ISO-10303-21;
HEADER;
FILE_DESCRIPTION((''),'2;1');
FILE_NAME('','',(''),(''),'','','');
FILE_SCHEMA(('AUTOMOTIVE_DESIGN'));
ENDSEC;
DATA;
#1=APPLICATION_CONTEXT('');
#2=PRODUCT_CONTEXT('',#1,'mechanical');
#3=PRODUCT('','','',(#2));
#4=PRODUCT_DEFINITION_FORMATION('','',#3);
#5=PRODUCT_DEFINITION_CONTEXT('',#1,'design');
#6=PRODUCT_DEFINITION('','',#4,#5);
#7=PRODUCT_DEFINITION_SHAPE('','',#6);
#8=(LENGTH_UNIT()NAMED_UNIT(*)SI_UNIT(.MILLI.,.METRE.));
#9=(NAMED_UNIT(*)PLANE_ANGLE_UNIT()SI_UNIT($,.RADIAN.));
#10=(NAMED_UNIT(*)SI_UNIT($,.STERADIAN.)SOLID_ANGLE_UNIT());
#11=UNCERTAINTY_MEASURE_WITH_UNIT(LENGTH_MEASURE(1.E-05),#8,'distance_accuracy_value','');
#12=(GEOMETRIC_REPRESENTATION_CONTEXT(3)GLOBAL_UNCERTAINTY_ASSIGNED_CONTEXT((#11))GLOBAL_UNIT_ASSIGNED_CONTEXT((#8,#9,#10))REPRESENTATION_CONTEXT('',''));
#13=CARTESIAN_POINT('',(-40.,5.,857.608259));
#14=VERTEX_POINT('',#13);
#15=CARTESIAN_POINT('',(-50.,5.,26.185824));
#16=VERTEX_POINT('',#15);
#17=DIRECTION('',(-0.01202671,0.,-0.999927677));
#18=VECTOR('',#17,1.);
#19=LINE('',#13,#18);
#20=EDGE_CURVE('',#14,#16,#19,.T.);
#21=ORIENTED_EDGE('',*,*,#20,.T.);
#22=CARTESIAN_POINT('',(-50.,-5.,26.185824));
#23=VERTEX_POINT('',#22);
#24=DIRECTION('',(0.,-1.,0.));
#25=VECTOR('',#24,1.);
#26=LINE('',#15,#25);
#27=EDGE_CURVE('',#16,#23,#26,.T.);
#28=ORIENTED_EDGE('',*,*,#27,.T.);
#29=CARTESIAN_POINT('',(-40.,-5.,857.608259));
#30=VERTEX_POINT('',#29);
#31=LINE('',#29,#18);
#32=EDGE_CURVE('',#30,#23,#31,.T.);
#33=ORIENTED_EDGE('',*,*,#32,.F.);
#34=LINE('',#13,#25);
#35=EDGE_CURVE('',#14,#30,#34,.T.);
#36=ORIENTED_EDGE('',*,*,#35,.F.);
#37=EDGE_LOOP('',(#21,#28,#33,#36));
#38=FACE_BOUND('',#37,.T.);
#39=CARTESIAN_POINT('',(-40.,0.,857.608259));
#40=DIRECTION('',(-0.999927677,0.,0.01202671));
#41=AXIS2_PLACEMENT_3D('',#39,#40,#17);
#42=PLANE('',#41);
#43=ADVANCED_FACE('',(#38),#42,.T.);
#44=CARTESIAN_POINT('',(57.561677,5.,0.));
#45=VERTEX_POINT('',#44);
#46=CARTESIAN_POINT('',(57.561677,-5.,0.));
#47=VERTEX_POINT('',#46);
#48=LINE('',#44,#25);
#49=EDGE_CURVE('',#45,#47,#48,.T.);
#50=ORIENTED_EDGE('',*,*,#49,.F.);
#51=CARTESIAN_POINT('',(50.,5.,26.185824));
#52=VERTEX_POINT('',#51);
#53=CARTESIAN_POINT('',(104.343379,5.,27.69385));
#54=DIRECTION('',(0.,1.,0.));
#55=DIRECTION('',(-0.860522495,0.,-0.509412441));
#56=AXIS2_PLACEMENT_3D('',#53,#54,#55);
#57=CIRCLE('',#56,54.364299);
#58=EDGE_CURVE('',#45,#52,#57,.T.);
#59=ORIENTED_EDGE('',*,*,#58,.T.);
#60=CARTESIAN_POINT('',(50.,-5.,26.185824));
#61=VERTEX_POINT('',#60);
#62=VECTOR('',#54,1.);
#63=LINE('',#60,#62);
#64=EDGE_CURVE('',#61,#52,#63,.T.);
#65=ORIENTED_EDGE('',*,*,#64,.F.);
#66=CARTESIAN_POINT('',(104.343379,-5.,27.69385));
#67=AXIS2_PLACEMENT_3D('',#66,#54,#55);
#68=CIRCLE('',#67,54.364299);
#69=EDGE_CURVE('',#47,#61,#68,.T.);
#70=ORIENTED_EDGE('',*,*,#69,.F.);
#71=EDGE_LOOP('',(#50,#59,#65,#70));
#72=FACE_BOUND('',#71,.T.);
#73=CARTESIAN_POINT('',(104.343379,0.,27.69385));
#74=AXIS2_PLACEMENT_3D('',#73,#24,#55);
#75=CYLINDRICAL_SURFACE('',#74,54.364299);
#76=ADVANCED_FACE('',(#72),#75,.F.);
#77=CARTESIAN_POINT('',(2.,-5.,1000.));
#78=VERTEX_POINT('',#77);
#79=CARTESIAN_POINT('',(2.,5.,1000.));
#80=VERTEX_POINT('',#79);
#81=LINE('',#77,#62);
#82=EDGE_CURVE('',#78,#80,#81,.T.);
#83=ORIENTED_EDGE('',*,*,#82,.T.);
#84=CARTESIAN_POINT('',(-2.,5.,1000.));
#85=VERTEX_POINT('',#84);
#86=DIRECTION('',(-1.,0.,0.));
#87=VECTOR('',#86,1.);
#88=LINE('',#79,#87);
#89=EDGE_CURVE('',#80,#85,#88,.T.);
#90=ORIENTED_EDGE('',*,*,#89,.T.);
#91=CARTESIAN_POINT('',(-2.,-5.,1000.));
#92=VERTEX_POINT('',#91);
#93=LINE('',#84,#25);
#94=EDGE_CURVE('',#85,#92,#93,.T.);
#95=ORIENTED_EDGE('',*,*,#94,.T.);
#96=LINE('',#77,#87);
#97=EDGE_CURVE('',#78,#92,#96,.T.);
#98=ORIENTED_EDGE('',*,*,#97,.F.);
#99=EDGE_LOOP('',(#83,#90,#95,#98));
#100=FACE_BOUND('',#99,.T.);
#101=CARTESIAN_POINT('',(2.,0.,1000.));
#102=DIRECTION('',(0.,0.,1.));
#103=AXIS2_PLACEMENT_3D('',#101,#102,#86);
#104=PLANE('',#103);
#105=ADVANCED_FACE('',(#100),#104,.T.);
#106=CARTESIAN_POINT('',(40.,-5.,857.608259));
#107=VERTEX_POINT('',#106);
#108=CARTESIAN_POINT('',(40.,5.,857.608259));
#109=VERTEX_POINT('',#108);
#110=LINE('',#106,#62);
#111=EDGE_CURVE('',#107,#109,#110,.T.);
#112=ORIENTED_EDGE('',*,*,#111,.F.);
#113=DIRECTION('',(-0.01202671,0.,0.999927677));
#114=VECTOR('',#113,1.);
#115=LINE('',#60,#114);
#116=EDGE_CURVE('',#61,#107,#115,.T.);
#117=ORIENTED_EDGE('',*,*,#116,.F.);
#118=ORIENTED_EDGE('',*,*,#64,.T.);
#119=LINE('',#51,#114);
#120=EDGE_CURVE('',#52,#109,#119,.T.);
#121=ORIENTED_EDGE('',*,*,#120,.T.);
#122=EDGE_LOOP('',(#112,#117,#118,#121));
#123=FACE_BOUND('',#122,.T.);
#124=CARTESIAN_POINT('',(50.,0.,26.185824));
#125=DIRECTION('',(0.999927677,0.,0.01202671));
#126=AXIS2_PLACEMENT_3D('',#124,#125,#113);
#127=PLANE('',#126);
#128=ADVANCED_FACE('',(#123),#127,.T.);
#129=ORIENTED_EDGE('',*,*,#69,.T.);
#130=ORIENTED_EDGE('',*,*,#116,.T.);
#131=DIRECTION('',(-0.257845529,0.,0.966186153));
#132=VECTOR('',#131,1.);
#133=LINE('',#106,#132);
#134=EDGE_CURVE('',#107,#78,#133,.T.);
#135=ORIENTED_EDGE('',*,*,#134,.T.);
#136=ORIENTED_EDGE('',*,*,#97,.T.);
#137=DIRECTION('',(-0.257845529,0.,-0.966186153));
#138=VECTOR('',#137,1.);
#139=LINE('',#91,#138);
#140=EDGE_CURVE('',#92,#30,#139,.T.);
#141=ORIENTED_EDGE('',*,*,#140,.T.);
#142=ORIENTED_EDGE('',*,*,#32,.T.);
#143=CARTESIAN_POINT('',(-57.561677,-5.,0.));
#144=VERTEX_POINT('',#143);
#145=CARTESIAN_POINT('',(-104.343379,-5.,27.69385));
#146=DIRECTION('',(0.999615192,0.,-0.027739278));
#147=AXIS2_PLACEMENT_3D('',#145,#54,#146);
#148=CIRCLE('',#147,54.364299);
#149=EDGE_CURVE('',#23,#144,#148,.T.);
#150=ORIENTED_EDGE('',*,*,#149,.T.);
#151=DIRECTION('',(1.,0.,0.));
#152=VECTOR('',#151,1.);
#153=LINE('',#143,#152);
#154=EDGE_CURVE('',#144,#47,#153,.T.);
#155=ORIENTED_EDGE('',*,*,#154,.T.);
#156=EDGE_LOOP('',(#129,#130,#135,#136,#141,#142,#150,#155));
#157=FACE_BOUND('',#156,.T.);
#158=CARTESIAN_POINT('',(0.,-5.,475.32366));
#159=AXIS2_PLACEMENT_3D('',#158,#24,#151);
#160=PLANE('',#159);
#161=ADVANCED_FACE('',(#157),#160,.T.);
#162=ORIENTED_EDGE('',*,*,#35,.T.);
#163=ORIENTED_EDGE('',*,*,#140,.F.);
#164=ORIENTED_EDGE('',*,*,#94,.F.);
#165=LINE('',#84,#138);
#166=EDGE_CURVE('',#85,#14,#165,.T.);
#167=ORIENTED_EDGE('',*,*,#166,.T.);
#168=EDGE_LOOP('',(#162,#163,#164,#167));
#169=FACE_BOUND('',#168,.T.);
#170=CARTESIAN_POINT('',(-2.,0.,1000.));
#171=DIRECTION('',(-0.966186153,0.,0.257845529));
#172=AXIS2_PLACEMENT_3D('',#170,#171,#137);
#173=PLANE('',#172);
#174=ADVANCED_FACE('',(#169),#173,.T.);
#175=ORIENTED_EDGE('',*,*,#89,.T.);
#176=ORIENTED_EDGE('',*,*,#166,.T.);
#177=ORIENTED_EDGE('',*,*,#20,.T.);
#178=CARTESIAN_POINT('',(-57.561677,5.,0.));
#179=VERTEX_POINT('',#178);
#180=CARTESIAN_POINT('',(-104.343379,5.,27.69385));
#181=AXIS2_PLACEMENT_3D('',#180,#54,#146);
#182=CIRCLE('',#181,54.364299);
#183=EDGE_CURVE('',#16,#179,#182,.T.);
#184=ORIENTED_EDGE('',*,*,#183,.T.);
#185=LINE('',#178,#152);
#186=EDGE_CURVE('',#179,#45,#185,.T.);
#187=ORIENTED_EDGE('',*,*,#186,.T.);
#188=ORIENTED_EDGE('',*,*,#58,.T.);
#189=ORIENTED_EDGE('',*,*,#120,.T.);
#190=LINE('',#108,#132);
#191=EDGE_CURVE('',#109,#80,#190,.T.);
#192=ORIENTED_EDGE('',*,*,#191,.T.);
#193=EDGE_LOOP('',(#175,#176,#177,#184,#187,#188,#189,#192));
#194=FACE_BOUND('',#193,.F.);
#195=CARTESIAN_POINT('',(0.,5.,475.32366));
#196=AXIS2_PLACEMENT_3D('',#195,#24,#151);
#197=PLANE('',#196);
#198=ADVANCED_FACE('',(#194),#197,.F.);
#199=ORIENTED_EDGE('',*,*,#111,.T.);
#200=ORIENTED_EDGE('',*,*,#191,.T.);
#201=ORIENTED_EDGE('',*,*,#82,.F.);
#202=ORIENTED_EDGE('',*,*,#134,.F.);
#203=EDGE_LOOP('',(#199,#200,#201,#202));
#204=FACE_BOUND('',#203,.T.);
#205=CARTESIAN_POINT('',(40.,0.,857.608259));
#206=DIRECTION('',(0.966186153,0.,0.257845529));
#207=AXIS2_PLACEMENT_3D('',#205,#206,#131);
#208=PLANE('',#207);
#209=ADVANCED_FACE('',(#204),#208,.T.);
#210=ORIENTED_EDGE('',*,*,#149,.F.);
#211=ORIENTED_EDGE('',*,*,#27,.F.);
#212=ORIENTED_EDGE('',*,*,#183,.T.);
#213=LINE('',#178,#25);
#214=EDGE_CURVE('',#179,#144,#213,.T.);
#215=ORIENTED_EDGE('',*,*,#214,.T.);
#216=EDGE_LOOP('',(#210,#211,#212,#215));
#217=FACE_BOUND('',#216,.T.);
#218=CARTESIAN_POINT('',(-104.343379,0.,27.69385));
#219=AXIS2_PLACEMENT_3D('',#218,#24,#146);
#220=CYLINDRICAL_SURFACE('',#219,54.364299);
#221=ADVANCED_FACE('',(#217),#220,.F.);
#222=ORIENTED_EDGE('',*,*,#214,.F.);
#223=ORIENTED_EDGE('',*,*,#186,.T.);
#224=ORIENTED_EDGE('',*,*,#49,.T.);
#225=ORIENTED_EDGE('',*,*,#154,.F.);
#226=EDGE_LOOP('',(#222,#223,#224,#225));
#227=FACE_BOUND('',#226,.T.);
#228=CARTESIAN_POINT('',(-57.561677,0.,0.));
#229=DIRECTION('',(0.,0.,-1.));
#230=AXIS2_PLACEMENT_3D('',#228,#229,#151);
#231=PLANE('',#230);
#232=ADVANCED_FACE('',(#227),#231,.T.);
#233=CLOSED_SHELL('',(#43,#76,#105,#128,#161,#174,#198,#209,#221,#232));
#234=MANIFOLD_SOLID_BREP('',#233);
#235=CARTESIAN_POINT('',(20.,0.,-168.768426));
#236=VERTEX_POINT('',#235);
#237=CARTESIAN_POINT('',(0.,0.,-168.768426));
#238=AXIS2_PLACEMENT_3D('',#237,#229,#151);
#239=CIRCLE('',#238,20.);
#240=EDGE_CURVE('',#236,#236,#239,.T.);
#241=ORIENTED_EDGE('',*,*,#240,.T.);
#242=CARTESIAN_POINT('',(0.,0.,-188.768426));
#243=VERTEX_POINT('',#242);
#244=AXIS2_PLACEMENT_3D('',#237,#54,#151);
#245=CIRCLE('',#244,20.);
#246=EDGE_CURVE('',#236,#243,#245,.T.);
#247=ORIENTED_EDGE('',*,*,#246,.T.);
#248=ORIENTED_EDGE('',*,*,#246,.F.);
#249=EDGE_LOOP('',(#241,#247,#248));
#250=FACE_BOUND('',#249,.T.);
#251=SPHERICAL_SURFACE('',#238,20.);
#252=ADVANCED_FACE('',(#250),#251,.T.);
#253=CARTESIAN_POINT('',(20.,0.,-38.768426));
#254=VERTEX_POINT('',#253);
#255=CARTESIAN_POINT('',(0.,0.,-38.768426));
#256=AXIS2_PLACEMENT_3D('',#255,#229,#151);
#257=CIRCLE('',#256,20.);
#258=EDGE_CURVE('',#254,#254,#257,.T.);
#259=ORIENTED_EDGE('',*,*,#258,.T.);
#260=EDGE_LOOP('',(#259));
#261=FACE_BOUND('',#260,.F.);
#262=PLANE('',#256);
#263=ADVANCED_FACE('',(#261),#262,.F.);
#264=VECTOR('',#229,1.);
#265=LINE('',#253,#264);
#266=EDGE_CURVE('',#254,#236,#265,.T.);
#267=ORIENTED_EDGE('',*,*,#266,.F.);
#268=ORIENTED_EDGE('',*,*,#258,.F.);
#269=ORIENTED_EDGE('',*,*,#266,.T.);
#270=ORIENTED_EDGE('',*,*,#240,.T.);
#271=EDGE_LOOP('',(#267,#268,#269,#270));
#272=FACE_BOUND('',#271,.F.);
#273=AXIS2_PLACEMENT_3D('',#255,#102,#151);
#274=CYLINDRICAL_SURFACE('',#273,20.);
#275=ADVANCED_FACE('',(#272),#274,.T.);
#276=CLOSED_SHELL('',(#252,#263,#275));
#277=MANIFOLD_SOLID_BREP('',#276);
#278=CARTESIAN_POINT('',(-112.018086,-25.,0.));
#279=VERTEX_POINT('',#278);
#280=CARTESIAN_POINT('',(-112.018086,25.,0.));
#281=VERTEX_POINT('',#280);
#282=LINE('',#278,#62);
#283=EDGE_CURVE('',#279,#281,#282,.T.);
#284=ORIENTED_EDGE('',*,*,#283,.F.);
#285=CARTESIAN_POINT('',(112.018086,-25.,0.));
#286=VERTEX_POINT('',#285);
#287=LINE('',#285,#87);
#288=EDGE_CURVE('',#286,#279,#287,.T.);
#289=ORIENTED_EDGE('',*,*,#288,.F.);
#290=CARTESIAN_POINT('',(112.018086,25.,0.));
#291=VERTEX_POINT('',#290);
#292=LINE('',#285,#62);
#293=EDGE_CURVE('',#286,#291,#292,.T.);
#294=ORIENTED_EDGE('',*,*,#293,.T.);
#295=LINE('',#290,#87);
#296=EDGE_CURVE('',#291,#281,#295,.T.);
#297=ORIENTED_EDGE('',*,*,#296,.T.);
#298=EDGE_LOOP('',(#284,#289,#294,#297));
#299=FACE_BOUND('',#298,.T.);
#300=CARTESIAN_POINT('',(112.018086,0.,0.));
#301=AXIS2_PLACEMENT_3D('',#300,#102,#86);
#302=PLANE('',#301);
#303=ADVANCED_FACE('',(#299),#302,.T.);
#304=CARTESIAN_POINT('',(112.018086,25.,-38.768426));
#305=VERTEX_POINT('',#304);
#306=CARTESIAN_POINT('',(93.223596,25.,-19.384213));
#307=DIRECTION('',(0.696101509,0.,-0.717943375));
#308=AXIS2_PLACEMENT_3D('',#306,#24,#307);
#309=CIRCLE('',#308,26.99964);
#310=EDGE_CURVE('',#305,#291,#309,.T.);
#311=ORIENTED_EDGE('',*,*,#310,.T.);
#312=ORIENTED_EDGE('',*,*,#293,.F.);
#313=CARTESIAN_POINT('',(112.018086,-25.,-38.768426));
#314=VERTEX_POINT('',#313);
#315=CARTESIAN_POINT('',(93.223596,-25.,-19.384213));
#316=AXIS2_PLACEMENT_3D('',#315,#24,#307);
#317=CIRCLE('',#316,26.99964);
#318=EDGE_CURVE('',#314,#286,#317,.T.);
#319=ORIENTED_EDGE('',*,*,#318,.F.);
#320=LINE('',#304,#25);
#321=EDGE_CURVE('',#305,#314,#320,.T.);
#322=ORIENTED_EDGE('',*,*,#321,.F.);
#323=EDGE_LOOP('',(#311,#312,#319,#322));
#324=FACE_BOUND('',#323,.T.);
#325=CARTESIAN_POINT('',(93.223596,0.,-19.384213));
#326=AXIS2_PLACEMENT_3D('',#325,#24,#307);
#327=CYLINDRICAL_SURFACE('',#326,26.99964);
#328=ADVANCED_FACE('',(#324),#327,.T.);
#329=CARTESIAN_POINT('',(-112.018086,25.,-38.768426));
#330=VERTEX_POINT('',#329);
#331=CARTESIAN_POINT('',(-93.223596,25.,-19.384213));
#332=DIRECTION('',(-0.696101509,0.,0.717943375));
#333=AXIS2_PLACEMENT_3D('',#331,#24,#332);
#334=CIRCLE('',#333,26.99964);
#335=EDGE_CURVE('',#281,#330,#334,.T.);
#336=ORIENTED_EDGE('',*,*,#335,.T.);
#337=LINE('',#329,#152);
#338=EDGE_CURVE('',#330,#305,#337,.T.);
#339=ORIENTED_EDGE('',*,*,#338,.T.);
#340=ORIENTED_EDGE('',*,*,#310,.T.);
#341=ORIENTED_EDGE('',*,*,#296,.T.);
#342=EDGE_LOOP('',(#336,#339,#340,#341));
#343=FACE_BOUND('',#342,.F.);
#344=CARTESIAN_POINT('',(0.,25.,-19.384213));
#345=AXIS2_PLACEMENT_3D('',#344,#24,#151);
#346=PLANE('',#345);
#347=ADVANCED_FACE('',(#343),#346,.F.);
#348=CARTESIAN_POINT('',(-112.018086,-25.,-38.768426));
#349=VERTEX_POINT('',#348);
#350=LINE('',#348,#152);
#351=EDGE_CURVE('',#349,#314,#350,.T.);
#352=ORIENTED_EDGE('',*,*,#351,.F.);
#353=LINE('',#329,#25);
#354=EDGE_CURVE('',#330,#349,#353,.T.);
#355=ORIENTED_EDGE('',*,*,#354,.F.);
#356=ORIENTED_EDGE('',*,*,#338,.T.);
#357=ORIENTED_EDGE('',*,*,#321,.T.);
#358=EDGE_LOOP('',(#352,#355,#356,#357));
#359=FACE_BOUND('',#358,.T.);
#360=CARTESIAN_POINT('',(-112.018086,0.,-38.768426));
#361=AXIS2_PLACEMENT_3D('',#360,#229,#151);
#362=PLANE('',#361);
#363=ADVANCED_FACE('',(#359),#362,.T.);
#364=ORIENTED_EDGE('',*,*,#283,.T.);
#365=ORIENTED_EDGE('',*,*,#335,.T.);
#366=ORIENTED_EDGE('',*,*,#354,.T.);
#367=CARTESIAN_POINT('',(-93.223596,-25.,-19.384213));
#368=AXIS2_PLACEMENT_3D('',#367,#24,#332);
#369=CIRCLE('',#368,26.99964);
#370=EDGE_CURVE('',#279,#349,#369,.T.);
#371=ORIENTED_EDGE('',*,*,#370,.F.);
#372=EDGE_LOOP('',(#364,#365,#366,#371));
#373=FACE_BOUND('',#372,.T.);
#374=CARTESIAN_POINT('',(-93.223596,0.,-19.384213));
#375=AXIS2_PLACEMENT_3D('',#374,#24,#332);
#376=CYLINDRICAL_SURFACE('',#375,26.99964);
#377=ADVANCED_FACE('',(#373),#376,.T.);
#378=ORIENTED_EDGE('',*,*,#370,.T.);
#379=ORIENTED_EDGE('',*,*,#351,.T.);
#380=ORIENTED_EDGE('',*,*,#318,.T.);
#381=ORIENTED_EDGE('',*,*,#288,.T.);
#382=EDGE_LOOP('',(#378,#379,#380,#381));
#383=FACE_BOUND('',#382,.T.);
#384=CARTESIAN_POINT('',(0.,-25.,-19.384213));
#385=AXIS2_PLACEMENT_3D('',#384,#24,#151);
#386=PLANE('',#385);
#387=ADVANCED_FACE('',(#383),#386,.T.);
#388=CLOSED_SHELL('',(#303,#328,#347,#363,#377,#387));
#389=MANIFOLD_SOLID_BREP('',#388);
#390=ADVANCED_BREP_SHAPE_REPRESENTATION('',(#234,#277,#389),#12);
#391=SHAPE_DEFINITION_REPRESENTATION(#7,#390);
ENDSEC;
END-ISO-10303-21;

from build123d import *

# Parameters (mm, degrees)
F1_DEPTH = 5
F2_DEPTH = 25
F3_R     = 20
F4_DEPTH = 150
F5_R     = 20


with BuildPart() as f1:
    # F0 (on Front) → F1 (new body, symmetric)
    with BuildSketch(Plane.XZ):
        with BuildLine():
            Line((2, 1000), (-2, 1000))
            Line((-2, 1000), (-40, 857.608259))
            Line((-40, 857.608259), (-50, 26.185824))
            ThreePointArc((-50, 26.185824), (-52.113169, 12.611339), (-57.561677, 0))
            Line((-57.561677, 0), (0, 0))
            Line((0, 0), (57.561677, 0))
            ThreePointArc((57.561677, 0), (52.113169, 12.611339), (50, 26.185824))
            Line((50, 26.185824), (40, 857.608259))
            Line((40, 857.608259), (2, 1000))
        make_face()
    extrude(amount=F1_DEPTH, both=True)


with BuildPart() as f2:
    # F0 (on Front) → F2 (new body, symmetric)
    with BuildSketch(Plane.XZ):
        with BuildLine():
            Line((0, 0), (-57.561677, 0))
            Line((-57.561677, 0), (-60, 0))
            Line((-60, 0), (-112.018086, 0))
            ThreePointArc((-112.018086, 0), (-120.223236, -19.384213), (-112.018086, -38.768426))
            Line((-112.018086, -38.768426), (0, -38.768426))
            Line((0, -38.768426), (112.018086, -38.768426))
            ThreePointArc((112.018086, -38.768426), (120.223236, -19.384213), (112.018086, 0))
            Line((112.018086, 0), (60, 0))
            Line((60, 0), (57.561677, 0))
            Line((57.561677, 0), (0, 0))
        make_face()
    extrude(amount=F2_DEPTH, both=True)


with BuildPart() as f4:
    # F3 (on face) → F4 (new body)
    with BuildSketch(Plane(origin=(0, 0, -38.768426), x_dir=(1, 0, 0), z_dir=(0, 0, -1))):
        Circle(F3_R)
    extrude(amount=F4_DEPTH)

    # F5
    f5_edges = [f4.edges().sort_by_distance(p)[0] for p in [
        (-20, 0, -188.768426),
    ]]
    fillet(f5_edges, radius=F5_R)


solid = Compound([f1.part, f2.part, f4.part])
